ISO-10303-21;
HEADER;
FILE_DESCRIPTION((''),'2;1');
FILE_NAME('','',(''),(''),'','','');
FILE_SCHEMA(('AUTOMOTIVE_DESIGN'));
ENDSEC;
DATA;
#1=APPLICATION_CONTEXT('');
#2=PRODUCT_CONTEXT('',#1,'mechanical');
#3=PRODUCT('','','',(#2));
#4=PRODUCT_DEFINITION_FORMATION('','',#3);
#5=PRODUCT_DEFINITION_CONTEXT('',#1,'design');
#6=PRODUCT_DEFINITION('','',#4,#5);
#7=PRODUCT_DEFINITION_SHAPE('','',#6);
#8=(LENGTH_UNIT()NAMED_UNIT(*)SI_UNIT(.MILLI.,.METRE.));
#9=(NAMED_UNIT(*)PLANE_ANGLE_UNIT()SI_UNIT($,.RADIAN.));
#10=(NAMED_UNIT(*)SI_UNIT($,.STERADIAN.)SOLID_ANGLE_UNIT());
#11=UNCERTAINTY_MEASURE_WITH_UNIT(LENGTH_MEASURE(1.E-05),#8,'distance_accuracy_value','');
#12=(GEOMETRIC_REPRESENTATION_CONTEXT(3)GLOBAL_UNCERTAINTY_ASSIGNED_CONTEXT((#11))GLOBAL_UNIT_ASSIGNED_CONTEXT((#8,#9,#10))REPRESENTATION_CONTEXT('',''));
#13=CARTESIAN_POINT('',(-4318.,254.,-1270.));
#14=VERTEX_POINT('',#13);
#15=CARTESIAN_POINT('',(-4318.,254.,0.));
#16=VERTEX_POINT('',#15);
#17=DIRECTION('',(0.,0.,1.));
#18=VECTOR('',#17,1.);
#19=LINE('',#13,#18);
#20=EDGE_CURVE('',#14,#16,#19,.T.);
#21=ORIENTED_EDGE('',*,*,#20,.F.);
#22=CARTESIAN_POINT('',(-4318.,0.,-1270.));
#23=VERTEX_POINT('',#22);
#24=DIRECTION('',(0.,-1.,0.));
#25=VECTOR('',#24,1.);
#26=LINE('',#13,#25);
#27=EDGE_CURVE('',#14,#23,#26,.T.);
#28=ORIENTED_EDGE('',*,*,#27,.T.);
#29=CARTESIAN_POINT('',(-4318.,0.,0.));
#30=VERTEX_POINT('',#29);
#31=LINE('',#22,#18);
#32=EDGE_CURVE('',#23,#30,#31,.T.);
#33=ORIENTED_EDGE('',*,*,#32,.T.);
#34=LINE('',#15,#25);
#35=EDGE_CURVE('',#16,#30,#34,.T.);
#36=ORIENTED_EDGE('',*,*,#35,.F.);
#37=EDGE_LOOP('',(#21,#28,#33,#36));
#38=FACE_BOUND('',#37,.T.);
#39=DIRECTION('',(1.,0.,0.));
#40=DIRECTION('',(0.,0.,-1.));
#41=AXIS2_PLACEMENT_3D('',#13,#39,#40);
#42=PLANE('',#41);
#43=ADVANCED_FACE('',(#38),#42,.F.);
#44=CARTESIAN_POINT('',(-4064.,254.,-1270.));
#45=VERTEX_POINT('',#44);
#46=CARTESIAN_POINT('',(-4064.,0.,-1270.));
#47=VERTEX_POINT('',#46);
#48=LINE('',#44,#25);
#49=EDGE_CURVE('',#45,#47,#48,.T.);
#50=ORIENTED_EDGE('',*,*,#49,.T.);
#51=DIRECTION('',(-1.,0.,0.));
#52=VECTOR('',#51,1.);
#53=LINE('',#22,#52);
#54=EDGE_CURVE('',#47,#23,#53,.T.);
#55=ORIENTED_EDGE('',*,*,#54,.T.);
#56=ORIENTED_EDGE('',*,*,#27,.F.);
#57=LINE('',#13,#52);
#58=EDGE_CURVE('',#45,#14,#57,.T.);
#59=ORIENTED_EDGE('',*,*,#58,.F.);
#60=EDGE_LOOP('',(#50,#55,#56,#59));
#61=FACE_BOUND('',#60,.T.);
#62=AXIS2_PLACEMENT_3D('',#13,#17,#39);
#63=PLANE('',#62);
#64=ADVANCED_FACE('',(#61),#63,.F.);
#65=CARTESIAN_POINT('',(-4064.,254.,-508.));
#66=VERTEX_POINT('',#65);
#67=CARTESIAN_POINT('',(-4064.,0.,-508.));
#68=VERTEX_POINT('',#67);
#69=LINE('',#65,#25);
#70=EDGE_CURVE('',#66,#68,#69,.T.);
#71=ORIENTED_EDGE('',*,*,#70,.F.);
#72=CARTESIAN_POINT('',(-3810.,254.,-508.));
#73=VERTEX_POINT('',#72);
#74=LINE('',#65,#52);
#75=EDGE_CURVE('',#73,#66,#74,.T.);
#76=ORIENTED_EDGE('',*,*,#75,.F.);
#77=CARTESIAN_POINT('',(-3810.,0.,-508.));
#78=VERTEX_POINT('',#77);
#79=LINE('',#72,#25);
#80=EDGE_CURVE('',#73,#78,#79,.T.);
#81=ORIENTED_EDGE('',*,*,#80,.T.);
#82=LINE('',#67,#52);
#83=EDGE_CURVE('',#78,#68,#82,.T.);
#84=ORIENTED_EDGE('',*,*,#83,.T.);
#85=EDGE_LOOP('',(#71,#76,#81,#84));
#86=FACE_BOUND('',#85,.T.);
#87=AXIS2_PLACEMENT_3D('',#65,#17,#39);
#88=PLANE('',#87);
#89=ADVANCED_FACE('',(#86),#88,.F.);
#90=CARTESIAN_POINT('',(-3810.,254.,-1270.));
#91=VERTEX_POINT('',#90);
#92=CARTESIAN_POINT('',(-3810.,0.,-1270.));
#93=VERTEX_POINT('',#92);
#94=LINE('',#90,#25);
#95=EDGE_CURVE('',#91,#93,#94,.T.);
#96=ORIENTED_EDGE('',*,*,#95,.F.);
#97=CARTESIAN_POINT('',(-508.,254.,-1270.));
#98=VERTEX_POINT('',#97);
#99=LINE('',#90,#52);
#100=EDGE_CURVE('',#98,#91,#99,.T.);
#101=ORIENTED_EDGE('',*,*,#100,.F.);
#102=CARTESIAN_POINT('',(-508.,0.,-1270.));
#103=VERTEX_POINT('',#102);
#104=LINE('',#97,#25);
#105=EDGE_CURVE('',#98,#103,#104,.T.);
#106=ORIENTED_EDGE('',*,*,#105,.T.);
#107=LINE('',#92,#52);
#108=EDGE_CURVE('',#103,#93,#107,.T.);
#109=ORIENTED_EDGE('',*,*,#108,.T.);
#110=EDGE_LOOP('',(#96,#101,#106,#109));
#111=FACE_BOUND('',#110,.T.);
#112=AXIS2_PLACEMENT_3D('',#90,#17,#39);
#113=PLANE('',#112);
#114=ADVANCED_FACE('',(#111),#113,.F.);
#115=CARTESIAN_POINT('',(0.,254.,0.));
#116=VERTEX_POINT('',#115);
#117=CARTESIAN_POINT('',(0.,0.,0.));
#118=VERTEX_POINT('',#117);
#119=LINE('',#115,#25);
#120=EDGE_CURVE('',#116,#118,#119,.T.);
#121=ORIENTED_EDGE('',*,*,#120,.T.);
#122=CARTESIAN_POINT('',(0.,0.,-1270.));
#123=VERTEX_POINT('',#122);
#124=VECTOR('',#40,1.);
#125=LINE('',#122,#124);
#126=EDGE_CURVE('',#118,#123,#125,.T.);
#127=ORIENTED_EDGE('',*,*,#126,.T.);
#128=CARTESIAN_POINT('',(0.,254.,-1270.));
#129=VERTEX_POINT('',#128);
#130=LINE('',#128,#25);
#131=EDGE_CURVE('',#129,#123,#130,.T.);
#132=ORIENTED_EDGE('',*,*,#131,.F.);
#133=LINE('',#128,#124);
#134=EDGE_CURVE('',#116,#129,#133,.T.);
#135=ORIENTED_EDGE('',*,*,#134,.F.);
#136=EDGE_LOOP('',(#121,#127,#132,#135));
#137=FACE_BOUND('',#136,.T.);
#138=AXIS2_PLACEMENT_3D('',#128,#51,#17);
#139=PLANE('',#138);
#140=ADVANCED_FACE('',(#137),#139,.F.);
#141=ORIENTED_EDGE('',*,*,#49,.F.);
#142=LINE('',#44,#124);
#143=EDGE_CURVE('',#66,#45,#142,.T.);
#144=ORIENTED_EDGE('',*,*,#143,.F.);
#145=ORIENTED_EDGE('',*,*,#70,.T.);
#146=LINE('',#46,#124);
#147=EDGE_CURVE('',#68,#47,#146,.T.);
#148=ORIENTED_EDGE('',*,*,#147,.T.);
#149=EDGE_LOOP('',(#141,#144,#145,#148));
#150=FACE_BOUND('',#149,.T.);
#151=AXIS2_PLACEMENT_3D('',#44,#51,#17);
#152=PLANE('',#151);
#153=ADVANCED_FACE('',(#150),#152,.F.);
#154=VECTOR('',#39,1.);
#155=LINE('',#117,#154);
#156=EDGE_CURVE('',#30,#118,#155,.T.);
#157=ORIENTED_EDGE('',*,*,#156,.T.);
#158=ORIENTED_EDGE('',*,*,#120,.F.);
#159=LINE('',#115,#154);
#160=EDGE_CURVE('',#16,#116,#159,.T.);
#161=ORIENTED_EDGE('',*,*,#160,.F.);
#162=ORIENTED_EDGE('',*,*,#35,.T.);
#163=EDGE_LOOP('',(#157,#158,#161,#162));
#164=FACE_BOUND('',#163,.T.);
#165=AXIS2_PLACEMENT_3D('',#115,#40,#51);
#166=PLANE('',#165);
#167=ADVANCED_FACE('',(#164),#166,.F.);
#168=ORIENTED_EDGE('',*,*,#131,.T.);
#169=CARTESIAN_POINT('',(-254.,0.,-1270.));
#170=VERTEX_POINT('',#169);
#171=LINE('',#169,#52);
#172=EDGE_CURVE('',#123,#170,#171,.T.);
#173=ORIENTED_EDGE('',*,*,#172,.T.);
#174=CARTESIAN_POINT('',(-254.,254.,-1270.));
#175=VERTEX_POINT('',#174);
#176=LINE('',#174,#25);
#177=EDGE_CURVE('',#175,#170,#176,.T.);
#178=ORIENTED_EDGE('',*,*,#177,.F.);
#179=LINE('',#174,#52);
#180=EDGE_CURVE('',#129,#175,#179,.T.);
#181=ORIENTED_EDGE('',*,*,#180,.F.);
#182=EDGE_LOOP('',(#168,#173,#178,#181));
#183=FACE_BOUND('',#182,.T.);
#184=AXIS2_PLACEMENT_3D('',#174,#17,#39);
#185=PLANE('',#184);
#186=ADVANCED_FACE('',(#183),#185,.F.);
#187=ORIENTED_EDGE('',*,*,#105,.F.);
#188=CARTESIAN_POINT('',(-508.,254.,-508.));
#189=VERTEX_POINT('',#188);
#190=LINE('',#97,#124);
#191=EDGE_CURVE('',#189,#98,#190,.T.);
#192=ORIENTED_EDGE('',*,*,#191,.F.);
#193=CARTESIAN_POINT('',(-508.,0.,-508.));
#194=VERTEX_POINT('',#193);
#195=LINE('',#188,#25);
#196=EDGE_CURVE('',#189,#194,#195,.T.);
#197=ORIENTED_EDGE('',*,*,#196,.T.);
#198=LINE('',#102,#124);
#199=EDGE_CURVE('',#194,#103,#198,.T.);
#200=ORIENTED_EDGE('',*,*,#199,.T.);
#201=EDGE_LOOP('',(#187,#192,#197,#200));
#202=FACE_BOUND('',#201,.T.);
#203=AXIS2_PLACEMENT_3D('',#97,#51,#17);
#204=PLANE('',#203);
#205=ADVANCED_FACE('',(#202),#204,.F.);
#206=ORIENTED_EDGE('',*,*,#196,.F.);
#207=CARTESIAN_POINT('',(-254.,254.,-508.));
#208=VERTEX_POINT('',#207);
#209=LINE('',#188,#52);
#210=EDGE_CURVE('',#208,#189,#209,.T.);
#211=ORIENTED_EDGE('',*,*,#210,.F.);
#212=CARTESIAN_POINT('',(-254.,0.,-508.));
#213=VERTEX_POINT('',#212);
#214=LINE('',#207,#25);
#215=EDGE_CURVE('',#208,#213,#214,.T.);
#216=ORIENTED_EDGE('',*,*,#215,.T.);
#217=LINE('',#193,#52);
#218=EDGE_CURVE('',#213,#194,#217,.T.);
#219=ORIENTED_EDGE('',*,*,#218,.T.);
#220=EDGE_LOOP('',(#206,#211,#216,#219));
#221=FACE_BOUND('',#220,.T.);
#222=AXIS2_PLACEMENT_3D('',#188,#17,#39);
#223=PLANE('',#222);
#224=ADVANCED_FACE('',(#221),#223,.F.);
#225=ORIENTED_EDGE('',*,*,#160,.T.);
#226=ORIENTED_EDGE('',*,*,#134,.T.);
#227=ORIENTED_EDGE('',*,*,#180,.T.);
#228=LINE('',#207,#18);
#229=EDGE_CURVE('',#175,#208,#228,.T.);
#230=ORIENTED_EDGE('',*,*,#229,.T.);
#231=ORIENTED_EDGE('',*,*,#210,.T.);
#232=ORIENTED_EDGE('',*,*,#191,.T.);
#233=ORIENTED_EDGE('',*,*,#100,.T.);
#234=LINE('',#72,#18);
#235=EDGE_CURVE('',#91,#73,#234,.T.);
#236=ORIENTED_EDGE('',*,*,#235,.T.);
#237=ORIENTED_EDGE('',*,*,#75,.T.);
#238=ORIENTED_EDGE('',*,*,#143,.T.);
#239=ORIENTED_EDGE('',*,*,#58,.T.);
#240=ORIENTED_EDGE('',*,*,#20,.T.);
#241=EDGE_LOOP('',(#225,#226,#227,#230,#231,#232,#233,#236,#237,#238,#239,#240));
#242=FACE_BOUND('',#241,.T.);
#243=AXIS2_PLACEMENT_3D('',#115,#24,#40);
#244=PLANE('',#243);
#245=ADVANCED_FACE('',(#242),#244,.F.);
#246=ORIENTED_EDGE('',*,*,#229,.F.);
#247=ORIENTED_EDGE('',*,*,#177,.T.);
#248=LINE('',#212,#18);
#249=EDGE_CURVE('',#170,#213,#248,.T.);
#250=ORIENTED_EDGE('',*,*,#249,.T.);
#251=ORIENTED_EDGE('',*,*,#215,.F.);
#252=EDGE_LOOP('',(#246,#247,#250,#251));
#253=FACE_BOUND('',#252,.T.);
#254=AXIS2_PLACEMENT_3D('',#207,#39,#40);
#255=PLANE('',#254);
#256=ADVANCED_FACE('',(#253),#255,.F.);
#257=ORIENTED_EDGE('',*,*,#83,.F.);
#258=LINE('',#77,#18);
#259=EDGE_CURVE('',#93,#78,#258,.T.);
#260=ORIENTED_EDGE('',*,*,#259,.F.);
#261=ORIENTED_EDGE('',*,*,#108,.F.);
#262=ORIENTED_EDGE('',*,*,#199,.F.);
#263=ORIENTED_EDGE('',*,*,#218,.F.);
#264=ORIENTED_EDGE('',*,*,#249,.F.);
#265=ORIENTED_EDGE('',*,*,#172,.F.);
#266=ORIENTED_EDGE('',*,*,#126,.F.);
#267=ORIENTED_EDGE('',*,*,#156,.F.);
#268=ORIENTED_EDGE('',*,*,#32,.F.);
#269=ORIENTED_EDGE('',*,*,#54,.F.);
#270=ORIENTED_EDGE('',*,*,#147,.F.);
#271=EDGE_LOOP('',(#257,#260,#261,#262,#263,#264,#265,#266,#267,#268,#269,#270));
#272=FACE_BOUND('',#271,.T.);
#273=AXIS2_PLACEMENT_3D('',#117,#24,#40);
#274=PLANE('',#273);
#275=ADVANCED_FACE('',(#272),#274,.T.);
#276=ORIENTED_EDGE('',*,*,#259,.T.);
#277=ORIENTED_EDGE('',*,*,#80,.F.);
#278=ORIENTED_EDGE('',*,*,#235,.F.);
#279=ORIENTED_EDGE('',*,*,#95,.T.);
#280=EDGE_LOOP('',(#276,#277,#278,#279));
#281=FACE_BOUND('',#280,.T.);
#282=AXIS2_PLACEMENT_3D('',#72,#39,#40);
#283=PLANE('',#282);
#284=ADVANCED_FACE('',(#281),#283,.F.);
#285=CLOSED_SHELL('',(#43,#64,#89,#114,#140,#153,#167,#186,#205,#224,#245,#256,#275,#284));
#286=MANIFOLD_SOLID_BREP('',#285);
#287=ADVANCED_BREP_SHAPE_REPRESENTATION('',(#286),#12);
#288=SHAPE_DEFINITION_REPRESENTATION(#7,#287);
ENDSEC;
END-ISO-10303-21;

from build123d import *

# Parameters (mm, degrees)
BOSS_EXTRUDE1_DEPTH = 254


with BuildPart() as part:
    # Sketch1 → Boss-Extrude1 (new body)
    with BuildSketch(Plane(origin=(0, 0, 0), x_dir=(1, 0, 0), z_dir=(0, 1, 0))):
        Polygon((0, 0), (-4318, 0), (-4318, 1270), (-4064, 1270), (-4064, 508), (-3810, 508), (-3810, 1270), (-508, 1270), (-508, 508), (-254, 508), (-254, 1270), (0, 1270), align=None)
    extrude(amount=BOSS_EXTRUDE1_DEPTH)


solid = part.part
